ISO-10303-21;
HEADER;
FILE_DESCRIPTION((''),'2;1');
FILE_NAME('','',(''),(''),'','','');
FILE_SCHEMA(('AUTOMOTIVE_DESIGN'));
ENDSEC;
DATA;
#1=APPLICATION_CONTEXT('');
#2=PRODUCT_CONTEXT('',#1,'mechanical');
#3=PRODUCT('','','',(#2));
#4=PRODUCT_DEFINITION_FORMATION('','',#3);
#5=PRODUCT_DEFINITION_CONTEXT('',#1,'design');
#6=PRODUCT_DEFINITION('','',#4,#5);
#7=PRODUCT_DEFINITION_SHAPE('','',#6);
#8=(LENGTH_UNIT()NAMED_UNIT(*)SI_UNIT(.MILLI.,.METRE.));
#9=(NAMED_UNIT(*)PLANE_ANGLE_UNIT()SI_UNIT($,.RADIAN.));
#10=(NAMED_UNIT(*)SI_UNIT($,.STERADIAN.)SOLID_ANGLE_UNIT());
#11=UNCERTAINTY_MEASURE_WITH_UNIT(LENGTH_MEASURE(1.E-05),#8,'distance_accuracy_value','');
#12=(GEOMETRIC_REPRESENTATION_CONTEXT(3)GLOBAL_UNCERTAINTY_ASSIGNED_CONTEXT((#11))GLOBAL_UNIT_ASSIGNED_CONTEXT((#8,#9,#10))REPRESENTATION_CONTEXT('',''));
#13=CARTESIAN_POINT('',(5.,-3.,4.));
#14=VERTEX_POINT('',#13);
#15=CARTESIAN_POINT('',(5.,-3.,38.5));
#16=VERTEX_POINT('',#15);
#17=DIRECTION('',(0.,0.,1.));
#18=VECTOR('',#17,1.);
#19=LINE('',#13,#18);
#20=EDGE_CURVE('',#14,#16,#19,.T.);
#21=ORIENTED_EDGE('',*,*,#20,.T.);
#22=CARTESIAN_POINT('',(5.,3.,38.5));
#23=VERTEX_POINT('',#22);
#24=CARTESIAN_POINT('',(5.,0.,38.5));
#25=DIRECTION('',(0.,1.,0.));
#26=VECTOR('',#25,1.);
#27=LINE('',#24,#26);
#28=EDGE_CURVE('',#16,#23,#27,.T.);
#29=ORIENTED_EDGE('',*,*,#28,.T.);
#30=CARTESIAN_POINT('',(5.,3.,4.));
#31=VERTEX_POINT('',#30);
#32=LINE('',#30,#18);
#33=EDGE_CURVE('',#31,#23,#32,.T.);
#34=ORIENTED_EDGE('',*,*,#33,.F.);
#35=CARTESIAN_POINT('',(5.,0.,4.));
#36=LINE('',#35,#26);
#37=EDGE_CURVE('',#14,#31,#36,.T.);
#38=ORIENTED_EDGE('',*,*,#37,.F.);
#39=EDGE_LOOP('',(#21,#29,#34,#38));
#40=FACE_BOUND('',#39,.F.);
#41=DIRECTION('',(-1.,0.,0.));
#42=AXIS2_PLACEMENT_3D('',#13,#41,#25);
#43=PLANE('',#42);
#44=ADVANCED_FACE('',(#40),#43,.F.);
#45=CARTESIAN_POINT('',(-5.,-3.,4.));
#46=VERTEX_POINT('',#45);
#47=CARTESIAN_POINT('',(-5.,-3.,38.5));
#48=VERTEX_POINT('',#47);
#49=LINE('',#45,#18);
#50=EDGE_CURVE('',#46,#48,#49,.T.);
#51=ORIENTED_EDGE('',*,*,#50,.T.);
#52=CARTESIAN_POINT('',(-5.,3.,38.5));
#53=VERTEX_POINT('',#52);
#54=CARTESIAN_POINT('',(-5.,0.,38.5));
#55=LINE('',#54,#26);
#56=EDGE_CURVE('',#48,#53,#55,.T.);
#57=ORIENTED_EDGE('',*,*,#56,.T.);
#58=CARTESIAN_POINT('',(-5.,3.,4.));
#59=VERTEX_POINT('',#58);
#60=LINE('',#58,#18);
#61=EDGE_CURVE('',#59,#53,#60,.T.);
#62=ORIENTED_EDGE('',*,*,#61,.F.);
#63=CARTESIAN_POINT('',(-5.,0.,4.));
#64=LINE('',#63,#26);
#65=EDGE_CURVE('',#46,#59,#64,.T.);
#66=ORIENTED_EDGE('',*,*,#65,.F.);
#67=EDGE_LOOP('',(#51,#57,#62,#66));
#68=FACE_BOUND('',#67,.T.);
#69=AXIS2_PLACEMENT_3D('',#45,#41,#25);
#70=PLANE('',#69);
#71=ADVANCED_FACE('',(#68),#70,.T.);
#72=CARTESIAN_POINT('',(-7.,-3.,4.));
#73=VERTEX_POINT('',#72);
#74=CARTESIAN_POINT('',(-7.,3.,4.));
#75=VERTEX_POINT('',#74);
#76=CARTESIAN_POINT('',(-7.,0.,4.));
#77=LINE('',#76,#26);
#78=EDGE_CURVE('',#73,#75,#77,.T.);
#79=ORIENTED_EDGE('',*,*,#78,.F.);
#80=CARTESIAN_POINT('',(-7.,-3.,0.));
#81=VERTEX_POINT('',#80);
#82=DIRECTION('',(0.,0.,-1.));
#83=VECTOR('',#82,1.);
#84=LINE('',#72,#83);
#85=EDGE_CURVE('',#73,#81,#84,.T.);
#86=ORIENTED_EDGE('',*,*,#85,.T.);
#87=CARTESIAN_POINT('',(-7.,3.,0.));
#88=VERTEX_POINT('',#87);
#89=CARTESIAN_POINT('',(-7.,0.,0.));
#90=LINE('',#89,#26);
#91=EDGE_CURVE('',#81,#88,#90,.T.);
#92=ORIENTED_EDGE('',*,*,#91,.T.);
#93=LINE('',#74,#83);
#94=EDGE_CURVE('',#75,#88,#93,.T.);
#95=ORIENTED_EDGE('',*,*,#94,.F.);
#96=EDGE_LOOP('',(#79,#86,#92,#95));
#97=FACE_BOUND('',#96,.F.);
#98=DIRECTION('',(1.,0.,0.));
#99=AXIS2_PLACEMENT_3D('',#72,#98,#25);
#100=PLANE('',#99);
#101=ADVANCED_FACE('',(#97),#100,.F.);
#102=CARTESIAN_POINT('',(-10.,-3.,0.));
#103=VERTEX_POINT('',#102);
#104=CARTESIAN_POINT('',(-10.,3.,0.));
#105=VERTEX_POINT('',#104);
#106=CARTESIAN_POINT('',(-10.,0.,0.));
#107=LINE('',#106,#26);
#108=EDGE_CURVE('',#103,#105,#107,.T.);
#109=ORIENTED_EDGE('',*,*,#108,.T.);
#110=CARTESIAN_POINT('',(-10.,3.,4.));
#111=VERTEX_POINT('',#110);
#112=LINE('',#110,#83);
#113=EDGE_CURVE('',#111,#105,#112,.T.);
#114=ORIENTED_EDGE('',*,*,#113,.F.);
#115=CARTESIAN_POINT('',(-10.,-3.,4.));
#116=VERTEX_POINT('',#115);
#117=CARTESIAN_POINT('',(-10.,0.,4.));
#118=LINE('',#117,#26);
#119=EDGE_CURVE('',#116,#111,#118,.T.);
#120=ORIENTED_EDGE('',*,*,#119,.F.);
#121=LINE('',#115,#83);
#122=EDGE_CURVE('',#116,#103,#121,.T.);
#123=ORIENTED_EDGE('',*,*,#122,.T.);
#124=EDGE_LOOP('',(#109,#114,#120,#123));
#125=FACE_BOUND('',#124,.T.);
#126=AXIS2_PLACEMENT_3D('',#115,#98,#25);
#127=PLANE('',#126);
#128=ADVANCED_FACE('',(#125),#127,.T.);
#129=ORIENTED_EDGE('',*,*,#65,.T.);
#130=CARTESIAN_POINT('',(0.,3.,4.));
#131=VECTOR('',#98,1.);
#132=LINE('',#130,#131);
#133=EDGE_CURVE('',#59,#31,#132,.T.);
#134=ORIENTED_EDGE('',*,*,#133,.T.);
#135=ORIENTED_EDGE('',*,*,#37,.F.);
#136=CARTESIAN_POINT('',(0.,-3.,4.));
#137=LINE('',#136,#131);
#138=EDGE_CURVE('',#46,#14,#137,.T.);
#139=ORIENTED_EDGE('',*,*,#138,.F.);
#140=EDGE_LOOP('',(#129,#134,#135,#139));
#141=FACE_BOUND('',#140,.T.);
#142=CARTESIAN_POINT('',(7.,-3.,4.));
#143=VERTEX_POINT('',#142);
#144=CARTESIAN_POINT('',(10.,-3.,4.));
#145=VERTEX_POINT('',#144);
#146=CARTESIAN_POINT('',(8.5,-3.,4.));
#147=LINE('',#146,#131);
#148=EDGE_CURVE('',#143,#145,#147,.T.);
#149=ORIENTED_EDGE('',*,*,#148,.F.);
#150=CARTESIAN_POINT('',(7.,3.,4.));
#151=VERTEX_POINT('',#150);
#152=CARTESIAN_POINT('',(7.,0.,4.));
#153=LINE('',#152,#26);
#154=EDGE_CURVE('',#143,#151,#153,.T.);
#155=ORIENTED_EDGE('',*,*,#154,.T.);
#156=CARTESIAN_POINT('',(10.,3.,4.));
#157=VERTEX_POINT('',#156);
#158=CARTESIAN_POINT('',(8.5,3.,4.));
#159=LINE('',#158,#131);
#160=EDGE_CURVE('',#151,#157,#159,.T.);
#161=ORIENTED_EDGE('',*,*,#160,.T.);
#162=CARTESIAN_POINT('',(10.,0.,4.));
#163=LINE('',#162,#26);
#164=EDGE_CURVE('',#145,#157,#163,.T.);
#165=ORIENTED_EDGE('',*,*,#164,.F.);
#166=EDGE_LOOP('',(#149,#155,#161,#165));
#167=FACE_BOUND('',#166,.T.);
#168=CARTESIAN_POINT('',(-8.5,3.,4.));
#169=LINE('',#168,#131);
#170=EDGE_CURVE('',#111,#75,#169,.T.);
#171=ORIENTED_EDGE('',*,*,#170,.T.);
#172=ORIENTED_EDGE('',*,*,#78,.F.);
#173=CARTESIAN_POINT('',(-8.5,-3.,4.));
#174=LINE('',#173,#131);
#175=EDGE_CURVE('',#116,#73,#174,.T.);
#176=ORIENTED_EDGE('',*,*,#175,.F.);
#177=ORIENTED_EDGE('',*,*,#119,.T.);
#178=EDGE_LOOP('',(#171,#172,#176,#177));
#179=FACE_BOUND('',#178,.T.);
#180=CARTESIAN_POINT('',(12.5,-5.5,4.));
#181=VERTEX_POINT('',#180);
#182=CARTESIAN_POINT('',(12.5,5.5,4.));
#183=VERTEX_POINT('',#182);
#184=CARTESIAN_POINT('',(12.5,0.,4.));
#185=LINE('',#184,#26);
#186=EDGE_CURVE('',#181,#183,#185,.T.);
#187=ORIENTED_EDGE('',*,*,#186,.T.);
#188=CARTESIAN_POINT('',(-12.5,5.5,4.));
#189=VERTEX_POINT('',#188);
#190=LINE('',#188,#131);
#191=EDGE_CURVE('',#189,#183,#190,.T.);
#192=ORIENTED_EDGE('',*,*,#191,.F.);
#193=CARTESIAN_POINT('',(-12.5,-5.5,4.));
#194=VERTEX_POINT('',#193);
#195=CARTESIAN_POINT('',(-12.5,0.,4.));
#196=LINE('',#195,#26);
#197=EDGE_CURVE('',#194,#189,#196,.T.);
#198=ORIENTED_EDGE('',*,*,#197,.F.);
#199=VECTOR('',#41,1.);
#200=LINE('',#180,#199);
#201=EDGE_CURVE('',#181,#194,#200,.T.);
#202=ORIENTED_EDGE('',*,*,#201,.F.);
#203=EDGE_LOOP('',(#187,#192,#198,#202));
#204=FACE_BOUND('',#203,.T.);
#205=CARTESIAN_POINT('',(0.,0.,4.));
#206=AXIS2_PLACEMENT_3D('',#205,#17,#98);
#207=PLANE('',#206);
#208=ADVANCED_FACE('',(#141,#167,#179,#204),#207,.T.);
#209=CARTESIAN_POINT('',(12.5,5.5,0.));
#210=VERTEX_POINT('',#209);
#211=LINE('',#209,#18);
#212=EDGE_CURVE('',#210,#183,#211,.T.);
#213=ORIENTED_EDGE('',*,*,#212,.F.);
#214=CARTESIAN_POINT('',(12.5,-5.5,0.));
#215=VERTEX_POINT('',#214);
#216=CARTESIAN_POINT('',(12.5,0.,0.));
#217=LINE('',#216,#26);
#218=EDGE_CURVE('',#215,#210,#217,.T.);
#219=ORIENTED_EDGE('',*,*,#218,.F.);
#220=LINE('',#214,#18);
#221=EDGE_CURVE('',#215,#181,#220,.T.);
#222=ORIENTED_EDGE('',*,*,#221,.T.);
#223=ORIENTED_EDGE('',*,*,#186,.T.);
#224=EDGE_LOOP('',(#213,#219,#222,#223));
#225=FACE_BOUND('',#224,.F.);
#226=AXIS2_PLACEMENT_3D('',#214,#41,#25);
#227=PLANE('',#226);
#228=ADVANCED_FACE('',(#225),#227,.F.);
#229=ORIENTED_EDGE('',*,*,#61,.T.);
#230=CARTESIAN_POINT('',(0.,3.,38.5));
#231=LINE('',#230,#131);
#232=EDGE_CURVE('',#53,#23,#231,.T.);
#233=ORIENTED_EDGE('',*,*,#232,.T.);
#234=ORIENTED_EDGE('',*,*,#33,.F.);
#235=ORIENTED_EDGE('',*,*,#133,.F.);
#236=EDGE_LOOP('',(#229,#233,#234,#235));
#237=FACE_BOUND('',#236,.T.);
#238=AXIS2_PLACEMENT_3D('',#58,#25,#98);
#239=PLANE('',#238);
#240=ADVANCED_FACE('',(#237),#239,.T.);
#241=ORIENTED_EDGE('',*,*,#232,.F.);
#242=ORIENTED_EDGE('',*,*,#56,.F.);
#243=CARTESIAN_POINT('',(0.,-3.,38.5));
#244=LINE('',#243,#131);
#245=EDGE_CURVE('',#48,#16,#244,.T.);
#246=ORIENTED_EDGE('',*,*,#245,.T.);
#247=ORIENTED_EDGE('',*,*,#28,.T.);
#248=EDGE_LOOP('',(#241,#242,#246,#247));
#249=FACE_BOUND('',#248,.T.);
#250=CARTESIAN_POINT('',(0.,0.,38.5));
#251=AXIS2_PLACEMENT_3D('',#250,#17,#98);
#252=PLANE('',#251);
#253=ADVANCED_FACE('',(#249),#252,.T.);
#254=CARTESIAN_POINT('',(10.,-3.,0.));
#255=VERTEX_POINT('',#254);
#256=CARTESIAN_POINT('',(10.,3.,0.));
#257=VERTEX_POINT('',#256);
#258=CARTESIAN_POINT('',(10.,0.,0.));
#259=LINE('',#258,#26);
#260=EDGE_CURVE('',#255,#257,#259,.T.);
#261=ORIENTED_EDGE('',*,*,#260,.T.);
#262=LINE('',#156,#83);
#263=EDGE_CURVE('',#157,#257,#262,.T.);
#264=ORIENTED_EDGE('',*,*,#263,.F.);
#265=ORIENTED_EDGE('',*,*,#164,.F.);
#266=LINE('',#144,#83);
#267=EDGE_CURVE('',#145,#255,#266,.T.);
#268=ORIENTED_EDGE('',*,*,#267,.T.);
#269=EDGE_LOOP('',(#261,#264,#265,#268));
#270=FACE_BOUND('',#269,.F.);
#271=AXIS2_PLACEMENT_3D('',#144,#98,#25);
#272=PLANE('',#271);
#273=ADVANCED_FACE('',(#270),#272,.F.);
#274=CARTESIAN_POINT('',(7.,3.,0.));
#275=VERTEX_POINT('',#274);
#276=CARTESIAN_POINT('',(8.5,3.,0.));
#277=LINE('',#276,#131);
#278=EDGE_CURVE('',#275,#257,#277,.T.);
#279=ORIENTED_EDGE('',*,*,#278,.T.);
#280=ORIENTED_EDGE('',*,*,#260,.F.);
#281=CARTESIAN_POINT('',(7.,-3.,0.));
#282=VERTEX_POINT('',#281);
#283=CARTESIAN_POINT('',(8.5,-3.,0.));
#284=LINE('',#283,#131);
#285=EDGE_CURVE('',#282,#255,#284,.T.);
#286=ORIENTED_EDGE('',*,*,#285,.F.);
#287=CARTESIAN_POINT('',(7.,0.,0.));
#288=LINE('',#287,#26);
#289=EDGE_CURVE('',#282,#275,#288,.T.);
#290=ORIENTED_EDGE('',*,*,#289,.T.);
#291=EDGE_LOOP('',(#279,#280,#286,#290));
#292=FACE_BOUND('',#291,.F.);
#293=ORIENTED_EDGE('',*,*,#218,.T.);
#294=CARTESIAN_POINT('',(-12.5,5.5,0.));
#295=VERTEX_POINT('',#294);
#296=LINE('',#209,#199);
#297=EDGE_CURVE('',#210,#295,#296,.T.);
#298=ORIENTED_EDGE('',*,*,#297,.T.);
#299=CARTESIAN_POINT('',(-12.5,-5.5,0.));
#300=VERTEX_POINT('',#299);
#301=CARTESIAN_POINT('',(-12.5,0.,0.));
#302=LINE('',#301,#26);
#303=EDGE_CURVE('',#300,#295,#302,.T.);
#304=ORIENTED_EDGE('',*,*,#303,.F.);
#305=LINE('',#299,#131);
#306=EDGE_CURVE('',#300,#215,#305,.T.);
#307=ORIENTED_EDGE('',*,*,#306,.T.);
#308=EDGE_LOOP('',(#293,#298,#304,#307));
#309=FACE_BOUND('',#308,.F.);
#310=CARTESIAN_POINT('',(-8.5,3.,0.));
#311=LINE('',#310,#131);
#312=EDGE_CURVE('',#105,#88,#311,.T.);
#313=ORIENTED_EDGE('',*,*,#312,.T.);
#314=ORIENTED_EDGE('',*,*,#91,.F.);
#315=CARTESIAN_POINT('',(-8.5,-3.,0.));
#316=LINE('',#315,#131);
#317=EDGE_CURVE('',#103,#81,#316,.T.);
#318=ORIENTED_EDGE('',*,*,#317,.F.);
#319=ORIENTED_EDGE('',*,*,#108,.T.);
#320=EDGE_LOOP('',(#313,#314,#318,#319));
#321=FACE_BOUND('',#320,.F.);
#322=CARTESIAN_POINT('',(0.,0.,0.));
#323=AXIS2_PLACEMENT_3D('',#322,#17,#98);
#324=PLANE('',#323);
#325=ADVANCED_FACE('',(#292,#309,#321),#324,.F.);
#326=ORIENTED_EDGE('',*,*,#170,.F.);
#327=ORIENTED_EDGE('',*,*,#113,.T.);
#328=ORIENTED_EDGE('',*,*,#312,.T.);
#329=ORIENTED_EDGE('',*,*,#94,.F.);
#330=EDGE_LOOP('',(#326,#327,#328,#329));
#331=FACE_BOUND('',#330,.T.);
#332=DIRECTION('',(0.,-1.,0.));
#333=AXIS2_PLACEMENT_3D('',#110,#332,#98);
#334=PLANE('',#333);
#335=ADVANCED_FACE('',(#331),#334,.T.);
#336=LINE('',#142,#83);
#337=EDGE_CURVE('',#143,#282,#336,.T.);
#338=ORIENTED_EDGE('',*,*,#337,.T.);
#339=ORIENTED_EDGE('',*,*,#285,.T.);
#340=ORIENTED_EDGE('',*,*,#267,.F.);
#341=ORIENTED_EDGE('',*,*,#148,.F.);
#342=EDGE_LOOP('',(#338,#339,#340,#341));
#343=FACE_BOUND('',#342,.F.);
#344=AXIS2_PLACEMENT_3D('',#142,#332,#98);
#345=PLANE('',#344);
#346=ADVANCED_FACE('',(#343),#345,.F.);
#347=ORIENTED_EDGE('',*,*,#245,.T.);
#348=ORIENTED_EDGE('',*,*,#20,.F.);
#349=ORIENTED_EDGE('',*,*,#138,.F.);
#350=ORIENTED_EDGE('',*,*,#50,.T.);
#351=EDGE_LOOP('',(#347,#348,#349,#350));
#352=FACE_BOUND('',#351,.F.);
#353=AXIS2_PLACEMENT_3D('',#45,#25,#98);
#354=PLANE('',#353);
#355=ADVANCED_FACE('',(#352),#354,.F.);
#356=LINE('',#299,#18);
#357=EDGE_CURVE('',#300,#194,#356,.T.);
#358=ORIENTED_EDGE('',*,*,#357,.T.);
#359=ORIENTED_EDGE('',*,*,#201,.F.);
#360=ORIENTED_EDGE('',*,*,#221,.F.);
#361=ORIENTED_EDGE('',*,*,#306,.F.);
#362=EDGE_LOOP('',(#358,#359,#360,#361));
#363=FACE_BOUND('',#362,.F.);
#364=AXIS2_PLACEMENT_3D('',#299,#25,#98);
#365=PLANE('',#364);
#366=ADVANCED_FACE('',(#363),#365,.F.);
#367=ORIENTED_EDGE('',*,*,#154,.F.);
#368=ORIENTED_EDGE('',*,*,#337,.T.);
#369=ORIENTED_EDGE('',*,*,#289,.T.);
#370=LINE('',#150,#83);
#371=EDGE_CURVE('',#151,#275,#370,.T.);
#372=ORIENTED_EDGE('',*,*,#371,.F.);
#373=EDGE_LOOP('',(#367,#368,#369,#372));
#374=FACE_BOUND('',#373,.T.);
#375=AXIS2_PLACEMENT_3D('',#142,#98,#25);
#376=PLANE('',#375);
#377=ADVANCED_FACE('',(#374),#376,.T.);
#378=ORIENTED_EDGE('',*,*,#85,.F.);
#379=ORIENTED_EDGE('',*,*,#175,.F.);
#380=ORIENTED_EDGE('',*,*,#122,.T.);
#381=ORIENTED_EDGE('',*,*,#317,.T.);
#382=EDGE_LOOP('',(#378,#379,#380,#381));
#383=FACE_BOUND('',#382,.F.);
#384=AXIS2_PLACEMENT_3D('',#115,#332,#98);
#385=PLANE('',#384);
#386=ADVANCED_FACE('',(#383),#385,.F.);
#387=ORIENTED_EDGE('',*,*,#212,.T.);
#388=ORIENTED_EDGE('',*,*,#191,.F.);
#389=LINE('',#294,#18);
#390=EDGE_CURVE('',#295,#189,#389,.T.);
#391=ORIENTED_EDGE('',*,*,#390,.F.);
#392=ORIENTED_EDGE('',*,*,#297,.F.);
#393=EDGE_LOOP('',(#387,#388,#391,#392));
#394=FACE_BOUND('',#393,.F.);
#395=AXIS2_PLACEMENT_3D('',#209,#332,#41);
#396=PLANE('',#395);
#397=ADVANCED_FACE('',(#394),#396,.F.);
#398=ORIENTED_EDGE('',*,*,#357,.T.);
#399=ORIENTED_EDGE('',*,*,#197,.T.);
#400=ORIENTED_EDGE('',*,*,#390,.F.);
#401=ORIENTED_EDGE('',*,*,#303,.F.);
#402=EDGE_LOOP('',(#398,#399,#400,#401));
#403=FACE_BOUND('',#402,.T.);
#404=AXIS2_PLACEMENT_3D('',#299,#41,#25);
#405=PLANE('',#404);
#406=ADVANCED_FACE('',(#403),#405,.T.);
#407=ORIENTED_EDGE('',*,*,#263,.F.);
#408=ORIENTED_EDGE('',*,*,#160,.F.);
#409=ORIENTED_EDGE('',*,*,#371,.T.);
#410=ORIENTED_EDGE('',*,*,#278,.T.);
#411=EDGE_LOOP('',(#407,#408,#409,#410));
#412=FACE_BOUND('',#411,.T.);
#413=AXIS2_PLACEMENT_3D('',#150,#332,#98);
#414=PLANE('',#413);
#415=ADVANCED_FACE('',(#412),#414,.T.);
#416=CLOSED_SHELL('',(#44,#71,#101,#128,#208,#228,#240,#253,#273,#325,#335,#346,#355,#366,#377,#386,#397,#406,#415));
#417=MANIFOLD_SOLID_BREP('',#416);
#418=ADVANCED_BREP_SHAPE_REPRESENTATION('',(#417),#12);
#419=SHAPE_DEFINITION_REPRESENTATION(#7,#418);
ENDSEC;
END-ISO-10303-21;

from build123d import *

# Parameters (mm, degrees)
F0_W     = 15
F0_H     = 11
F1_DEPTH = 4
F2_W     = 10
F2_H     = 6
F3_DEPTH = 34.5
F0_W_2   = 5
F4_DEPTH = 4
F5_W     = 3
F5_H     = 6
F6_DEPTH = 4


with BuildPart() as f1:
    # F0 (on Top) → F1 (new body)
    with BuildSketch(Plane.XY):
        Rectangle(F0_W, F0_H)
    extrude(amount=F1_DEPTH)

    # F2 (on face) → F3 (join)
    with BuildSketch(Plane.XY.offset(4)):
        Rectangle(F2_W, F2_H)
    extrude(amount=F3_DEPTH)

    # F0 (on Top) → F4 (join)
    with BuildSketch(Plane.XY):
        Rectangle(F0_W, F0_H)
        with Locations((10, 0)):
            Rectangle(F0_W_2, F0_H)
        with Locations((-10, 0)):
            Rectangle(F0_W_2, F0_H)
    extrude(amount=F4_DEPTH)

    # F5 (on face) → F6 (cut)
    with BuildSketch(Plane.XY.offset(4)):
        with Locations((-8.5, 0)):
            Rectangle(F5_W, F5_H)
        with Locations((8.5, 0)):
            Rectangle(F5_W, F5_H)
    extrude(amount=-F6_DEPTH, mode=Mode.SUBTRACT)


solid = f1.part
